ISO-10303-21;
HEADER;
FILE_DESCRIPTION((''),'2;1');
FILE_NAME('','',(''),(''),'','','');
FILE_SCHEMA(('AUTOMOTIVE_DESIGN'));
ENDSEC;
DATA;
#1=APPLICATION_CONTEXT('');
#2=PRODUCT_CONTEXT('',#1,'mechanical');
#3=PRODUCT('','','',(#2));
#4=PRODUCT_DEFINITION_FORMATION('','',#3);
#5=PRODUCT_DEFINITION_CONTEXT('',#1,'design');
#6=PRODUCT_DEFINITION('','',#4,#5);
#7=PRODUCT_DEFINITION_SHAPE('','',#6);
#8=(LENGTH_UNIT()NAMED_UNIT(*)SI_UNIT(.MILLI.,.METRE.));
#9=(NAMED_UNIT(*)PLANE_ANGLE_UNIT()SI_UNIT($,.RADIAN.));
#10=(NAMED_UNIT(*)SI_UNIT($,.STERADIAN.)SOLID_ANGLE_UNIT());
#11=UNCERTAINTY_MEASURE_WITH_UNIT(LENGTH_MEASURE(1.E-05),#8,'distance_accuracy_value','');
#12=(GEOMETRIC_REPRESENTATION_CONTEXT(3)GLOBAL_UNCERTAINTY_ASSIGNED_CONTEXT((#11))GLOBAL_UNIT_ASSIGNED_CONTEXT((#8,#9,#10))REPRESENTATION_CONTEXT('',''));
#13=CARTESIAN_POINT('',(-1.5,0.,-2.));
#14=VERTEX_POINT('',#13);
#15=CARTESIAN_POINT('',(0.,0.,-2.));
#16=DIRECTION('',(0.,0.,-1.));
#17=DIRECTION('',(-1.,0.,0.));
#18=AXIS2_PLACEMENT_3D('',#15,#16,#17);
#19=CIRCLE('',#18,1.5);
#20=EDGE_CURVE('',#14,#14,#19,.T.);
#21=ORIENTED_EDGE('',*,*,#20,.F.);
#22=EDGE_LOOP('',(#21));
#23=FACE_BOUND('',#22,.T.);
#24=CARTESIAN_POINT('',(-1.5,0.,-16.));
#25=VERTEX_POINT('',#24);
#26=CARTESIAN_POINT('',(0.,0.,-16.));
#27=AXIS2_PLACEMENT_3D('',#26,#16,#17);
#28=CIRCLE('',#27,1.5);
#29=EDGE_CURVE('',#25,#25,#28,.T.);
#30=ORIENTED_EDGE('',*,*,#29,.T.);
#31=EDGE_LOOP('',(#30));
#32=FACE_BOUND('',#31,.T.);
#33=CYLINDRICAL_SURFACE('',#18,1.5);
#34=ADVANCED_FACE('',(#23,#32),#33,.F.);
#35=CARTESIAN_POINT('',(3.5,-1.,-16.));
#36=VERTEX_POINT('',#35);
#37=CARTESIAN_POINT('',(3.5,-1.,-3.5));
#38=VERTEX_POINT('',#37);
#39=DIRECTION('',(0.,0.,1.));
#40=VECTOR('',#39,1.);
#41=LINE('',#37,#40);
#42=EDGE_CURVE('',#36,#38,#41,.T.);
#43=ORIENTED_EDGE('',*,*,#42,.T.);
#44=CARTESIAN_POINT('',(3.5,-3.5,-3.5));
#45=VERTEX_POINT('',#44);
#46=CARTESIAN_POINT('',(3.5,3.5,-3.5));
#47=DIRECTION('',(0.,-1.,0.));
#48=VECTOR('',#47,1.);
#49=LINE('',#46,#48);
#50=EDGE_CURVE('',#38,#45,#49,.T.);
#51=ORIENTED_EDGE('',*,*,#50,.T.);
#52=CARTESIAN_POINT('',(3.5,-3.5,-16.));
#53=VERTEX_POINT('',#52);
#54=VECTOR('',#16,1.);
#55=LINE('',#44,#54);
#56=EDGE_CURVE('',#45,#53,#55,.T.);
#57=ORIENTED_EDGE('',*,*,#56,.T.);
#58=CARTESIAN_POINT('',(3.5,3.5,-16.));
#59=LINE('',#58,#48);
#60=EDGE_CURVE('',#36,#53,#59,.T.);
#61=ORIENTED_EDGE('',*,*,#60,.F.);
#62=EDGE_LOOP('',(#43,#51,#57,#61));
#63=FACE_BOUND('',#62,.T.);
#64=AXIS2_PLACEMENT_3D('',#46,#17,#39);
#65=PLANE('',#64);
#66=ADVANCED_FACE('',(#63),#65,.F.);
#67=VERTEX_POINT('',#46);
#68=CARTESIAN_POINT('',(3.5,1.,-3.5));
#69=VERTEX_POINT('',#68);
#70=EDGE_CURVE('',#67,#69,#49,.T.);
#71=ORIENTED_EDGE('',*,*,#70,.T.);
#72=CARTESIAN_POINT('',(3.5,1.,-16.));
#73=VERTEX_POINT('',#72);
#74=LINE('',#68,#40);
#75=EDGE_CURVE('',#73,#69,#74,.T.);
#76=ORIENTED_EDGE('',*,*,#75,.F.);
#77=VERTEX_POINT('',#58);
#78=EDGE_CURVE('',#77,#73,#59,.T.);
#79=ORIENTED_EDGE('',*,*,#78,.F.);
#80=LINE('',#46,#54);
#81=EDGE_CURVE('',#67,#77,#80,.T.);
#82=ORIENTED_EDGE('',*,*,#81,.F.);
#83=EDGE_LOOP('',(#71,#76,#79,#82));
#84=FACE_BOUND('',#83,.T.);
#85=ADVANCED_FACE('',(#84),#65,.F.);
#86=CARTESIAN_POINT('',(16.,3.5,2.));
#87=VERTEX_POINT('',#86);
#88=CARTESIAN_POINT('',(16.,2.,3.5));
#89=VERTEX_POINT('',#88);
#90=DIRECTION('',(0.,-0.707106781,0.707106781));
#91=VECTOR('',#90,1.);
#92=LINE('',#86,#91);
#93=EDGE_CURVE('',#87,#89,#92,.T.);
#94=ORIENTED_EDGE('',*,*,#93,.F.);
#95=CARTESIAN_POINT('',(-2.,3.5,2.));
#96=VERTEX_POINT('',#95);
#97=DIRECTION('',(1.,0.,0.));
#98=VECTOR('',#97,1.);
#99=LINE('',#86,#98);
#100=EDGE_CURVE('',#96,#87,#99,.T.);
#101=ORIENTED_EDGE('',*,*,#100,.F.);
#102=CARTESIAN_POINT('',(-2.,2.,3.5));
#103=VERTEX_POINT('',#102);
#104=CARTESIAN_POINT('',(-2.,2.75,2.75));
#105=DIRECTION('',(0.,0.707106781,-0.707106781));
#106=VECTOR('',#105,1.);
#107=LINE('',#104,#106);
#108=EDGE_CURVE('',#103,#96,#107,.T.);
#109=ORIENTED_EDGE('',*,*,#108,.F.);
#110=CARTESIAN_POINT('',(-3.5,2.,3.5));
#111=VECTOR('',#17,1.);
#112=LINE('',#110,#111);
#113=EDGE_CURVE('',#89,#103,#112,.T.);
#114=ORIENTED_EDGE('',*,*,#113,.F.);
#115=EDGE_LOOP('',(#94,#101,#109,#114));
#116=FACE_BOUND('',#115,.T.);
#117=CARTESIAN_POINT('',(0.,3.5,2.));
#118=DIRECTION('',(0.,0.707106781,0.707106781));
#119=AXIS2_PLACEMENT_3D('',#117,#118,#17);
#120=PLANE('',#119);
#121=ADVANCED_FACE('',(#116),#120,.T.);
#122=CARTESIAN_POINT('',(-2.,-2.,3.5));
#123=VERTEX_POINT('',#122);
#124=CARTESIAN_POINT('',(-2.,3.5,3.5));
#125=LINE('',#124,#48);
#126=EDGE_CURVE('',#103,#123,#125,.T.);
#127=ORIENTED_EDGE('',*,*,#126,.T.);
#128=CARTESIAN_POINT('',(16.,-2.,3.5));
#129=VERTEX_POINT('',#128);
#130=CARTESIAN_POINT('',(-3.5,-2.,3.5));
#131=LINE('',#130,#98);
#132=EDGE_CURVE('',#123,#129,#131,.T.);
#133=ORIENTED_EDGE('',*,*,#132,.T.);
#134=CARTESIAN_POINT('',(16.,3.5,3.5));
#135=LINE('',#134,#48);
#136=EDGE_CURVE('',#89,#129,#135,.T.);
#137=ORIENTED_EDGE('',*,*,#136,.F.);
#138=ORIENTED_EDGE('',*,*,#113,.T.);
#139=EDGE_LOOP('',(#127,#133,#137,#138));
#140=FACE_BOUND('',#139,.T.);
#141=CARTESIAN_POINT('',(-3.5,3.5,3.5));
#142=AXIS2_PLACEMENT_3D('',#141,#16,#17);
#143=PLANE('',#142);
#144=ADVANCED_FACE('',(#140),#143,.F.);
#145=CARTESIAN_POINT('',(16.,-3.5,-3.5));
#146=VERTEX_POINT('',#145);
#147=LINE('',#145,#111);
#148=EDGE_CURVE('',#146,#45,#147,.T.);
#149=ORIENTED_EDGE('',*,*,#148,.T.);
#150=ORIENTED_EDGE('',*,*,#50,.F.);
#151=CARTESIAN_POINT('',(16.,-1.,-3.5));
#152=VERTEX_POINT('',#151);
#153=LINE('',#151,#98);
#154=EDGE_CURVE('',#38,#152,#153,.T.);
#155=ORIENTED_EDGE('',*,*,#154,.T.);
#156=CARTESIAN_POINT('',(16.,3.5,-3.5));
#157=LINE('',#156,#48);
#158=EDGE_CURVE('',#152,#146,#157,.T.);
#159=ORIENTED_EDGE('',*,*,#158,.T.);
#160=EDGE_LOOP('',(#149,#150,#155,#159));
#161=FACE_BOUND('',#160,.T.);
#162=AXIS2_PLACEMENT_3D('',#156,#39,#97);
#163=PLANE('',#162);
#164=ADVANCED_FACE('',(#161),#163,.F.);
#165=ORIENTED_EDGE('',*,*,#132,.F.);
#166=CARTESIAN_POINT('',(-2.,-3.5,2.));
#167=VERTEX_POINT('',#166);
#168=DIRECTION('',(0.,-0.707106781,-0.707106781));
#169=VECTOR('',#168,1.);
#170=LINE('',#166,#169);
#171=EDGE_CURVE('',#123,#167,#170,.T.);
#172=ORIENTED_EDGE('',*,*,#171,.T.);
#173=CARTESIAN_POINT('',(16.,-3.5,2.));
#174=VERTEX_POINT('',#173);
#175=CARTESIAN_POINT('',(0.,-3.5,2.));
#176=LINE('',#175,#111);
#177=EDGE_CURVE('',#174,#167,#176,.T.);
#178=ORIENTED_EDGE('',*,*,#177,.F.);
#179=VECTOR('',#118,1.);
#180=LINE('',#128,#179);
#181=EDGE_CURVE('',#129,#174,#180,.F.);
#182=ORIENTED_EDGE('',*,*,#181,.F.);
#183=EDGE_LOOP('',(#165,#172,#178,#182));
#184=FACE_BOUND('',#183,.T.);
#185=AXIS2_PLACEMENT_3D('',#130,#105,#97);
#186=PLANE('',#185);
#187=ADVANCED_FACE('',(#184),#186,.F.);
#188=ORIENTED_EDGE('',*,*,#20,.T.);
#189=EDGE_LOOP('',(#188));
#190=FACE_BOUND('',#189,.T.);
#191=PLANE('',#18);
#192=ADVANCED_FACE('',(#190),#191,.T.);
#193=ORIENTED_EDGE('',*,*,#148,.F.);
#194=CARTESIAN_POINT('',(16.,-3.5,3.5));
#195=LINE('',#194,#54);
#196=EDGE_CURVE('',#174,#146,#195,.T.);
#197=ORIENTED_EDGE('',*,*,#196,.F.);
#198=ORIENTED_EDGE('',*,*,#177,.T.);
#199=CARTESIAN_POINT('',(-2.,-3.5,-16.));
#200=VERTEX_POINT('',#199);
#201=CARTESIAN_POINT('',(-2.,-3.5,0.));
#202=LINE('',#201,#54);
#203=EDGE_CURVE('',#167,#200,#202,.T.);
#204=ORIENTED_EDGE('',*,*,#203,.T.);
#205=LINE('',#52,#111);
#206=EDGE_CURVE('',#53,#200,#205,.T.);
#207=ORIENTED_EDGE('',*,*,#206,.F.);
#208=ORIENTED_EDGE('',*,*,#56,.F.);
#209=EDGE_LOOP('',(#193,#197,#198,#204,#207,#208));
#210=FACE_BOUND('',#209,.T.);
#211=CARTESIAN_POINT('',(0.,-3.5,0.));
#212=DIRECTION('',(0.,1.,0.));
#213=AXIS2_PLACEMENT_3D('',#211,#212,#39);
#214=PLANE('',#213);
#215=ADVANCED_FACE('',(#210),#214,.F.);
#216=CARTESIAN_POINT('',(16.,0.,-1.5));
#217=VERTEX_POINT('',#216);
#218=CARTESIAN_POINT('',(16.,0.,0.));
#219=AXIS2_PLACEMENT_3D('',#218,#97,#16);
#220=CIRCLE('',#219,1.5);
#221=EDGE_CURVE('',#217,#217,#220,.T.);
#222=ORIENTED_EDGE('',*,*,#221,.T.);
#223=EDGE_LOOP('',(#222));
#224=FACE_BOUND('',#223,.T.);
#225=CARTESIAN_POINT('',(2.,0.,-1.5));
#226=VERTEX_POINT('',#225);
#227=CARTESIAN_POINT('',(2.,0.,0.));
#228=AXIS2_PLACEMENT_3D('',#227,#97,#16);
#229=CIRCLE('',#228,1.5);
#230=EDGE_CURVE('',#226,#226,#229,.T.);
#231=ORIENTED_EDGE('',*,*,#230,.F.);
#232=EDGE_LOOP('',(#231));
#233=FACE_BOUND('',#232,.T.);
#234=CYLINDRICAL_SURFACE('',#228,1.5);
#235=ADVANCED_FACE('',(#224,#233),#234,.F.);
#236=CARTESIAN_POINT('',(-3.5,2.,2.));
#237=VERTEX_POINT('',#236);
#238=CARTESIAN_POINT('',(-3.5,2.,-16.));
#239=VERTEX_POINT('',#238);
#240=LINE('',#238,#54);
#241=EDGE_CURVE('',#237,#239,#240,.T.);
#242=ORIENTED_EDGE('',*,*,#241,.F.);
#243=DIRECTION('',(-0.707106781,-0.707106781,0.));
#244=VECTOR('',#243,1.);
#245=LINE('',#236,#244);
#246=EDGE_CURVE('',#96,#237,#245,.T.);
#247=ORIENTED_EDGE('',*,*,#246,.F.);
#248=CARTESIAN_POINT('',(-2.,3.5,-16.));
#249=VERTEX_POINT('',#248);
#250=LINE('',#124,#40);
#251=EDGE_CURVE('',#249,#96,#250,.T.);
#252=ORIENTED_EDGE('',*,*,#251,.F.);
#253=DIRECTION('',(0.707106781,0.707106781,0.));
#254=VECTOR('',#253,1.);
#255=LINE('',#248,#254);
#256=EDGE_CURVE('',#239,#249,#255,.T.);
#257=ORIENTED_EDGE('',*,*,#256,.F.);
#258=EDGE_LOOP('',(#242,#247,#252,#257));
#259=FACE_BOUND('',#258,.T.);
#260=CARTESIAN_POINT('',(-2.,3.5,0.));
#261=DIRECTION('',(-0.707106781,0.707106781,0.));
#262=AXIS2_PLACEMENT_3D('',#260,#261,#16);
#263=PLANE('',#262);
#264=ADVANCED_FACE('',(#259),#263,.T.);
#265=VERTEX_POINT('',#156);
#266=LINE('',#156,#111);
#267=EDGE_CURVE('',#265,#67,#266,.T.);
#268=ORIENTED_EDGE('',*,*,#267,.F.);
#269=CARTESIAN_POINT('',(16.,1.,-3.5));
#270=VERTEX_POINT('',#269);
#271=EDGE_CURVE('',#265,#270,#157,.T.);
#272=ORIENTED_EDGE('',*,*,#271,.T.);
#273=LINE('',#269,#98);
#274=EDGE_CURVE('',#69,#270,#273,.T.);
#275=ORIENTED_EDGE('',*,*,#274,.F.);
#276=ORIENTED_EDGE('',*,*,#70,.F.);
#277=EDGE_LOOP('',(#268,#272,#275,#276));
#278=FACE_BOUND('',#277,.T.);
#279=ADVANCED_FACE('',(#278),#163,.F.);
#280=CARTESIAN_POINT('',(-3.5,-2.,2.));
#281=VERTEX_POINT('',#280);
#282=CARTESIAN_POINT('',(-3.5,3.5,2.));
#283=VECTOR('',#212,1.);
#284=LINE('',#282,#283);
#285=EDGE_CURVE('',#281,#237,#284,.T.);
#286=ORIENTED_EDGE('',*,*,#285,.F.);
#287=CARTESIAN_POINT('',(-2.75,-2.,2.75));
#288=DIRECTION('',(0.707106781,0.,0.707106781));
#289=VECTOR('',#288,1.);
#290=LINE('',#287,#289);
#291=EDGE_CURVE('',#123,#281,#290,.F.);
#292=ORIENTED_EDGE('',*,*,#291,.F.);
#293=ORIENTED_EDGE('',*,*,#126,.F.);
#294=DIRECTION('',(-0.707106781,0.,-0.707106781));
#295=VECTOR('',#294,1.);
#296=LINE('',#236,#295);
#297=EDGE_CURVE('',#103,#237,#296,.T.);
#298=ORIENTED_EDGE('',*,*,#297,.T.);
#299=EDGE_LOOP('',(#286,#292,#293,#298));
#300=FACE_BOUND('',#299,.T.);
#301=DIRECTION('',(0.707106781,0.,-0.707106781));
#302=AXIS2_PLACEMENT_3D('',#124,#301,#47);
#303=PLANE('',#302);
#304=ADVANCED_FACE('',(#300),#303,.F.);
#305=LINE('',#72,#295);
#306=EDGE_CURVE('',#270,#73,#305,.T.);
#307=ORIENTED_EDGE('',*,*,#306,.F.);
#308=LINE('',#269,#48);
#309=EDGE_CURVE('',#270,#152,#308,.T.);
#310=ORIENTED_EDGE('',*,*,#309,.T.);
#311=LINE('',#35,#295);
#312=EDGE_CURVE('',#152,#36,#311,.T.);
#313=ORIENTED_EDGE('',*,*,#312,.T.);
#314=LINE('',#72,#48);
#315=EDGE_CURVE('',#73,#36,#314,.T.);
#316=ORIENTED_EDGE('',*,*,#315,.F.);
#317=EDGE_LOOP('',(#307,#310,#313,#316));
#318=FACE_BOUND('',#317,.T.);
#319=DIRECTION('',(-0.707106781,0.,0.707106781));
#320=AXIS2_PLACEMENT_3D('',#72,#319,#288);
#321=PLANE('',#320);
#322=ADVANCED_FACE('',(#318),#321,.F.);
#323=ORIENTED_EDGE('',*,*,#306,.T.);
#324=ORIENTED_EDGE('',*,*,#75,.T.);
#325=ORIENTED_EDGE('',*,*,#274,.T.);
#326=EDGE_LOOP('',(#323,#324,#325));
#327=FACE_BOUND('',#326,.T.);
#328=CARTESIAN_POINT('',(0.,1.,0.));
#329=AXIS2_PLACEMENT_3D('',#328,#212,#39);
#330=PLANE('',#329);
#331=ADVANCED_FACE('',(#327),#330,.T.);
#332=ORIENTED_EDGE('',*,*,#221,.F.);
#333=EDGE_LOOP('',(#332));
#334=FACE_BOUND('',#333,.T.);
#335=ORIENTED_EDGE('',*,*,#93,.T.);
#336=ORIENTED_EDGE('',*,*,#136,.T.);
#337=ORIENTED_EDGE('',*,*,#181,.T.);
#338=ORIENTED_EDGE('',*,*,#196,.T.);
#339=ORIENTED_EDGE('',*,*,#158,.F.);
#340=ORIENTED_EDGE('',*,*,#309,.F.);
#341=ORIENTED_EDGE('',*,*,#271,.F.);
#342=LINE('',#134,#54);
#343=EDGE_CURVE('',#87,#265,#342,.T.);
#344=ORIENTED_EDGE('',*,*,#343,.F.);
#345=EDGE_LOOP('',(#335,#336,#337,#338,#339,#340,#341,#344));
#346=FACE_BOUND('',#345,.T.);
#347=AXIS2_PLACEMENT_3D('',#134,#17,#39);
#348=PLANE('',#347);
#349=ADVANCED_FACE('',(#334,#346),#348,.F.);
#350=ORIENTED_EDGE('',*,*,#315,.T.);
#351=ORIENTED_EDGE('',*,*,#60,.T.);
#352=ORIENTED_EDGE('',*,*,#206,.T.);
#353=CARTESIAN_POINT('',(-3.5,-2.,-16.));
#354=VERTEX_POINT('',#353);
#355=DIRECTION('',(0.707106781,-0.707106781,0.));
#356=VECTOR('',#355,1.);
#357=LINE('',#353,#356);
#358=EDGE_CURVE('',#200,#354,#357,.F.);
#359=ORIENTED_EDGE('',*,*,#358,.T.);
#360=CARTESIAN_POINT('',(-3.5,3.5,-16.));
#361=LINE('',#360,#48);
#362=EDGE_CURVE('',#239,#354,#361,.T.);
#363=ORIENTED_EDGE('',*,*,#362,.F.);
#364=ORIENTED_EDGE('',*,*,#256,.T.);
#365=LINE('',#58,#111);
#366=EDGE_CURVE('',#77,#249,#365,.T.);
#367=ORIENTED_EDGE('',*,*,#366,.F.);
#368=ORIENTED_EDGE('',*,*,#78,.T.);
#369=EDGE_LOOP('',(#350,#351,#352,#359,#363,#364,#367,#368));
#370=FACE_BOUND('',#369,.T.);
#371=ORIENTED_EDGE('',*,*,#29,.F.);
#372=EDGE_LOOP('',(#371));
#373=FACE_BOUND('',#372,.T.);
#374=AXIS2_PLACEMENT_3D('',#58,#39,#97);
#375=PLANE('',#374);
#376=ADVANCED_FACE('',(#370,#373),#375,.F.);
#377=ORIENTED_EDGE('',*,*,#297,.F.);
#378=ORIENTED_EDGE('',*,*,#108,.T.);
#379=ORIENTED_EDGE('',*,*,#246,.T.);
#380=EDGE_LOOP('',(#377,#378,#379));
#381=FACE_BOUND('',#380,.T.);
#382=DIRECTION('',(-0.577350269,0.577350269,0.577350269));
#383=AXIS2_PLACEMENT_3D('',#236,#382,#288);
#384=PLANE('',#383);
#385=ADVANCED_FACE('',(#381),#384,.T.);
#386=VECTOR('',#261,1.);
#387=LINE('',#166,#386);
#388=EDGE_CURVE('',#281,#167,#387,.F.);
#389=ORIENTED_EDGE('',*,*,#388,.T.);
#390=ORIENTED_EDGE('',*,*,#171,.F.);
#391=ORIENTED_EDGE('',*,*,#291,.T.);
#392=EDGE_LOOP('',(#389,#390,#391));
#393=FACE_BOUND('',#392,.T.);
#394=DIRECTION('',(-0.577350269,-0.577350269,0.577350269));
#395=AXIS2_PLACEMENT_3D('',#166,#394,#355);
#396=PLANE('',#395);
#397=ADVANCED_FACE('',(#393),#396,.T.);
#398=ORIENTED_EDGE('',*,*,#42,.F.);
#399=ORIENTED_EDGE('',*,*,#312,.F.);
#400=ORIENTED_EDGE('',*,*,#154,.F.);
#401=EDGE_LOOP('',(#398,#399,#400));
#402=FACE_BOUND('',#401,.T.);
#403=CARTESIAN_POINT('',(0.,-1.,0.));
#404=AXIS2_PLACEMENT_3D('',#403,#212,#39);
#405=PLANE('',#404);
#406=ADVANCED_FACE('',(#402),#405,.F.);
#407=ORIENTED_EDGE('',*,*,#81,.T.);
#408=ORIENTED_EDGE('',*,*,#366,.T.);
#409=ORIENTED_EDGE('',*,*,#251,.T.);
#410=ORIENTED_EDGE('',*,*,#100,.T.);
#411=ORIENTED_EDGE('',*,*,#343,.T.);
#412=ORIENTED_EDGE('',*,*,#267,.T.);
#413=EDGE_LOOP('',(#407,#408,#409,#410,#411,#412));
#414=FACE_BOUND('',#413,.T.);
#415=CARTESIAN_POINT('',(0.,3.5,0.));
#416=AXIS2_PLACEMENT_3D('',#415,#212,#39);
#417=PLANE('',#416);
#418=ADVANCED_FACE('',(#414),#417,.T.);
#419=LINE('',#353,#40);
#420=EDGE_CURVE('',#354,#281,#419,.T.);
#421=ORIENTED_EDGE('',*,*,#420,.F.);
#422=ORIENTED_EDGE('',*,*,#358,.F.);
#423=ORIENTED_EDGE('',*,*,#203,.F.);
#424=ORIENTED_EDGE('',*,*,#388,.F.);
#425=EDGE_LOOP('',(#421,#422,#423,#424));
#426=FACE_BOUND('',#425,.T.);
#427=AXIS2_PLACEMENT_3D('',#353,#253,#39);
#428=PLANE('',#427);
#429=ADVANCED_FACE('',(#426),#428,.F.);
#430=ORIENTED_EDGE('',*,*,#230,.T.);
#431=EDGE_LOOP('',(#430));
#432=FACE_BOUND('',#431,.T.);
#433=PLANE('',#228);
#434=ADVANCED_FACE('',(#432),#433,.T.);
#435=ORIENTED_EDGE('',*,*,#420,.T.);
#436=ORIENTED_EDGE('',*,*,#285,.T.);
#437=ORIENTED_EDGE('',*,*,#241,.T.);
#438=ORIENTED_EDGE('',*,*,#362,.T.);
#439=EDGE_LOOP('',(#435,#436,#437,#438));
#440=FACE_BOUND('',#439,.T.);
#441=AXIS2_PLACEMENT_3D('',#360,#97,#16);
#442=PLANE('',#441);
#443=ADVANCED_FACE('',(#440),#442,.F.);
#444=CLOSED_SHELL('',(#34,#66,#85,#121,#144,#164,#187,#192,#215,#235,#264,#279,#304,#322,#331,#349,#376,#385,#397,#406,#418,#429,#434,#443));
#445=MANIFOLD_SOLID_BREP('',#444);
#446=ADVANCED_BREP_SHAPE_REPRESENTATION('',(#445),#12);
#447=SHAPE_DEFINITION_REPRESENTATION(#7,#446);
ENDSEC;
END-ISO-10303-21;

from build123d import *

# Parameters (mm, degrees)
BOSS_EXTRUDE1_DEPTH = 3.5
SKETCH2_R           = 1.5
CUT_EXTRUDE1_DEPTH  = 14
SKETCH3_R           = 1.5
CUT_EXTRUDE2_DEPTH  = 14
BOSS_EXTRUDE2_DEPTH = 1
CHAMFER1_SIZE       = 1.5


with BuildPart() as part:
    # Sketch1 → Boss-Extrude1 (new, symmetric)
    with BuildSketch(Plane(origin=(0, 0, 0), x_dir=(1, 0, 0), z_dir=(0, 1, 0))):
        Polygon((-3.5, 16), (-3.5, -3.5), (16, -3.5), (16, 3.5), (3.5, 3.5), (3.5, 16), align=None)
    extrude(amount=BOSS_EXTRUDE1_DEPTH, both=True)

    # Sketch2 → Cut-Extrude1 (cut)
    with BuildSketch(Plane(origin=(0, 0, -16), x_dir=(-1, 0, 0), z_dir=(0, 0, -1))):
        Circle(SKETCH2_R)
    extrude(amount=-CUT_EXTRUDE1_DEPTH, mode=Mode.SUBTRACT)

    # Sketch3 → Cut-Extrude2 (cut)
    with BuildSketch(Plane(origin=(16, 0, 0), x_dir=(0, 0, -1), z_dir=(1, 0, 0))):
        Circle(SKETCH3_R)
    extrude(amount=-CUT_EXTRUDE2_DEPTH, mode=Mode.SUBTRACT)

    # Sketch4 → Boss-Extrude2 (add, symmetric)
    with BuildSketch(Plane(origin=(0, 0, 0), x_dir=(1, 0, 0), z_dir=(0, 1, 0))):
        Polygon((3.5, 16), (16, 3.5), (3.5, 3.5), align=None)
    extrude(amount=BOSS_EXTRUDE2_DEPTH, both=True)

    # Chamfer1
    chamfer1_edges = [part.edges().sort_by_distance(p)[0] for p in [
        (-3.5, 0, 3.5),
        (6.25, 3.5, 3.5),
        (6.25, -3.5, 3.5),
        (-3.5, -3.5, -6.25),
        (-3.5, 3.5, -6.25),
    ]]
    chamfer(chamfer1_edges, length=CHAMFER1_SIZE)


solid = part.part
